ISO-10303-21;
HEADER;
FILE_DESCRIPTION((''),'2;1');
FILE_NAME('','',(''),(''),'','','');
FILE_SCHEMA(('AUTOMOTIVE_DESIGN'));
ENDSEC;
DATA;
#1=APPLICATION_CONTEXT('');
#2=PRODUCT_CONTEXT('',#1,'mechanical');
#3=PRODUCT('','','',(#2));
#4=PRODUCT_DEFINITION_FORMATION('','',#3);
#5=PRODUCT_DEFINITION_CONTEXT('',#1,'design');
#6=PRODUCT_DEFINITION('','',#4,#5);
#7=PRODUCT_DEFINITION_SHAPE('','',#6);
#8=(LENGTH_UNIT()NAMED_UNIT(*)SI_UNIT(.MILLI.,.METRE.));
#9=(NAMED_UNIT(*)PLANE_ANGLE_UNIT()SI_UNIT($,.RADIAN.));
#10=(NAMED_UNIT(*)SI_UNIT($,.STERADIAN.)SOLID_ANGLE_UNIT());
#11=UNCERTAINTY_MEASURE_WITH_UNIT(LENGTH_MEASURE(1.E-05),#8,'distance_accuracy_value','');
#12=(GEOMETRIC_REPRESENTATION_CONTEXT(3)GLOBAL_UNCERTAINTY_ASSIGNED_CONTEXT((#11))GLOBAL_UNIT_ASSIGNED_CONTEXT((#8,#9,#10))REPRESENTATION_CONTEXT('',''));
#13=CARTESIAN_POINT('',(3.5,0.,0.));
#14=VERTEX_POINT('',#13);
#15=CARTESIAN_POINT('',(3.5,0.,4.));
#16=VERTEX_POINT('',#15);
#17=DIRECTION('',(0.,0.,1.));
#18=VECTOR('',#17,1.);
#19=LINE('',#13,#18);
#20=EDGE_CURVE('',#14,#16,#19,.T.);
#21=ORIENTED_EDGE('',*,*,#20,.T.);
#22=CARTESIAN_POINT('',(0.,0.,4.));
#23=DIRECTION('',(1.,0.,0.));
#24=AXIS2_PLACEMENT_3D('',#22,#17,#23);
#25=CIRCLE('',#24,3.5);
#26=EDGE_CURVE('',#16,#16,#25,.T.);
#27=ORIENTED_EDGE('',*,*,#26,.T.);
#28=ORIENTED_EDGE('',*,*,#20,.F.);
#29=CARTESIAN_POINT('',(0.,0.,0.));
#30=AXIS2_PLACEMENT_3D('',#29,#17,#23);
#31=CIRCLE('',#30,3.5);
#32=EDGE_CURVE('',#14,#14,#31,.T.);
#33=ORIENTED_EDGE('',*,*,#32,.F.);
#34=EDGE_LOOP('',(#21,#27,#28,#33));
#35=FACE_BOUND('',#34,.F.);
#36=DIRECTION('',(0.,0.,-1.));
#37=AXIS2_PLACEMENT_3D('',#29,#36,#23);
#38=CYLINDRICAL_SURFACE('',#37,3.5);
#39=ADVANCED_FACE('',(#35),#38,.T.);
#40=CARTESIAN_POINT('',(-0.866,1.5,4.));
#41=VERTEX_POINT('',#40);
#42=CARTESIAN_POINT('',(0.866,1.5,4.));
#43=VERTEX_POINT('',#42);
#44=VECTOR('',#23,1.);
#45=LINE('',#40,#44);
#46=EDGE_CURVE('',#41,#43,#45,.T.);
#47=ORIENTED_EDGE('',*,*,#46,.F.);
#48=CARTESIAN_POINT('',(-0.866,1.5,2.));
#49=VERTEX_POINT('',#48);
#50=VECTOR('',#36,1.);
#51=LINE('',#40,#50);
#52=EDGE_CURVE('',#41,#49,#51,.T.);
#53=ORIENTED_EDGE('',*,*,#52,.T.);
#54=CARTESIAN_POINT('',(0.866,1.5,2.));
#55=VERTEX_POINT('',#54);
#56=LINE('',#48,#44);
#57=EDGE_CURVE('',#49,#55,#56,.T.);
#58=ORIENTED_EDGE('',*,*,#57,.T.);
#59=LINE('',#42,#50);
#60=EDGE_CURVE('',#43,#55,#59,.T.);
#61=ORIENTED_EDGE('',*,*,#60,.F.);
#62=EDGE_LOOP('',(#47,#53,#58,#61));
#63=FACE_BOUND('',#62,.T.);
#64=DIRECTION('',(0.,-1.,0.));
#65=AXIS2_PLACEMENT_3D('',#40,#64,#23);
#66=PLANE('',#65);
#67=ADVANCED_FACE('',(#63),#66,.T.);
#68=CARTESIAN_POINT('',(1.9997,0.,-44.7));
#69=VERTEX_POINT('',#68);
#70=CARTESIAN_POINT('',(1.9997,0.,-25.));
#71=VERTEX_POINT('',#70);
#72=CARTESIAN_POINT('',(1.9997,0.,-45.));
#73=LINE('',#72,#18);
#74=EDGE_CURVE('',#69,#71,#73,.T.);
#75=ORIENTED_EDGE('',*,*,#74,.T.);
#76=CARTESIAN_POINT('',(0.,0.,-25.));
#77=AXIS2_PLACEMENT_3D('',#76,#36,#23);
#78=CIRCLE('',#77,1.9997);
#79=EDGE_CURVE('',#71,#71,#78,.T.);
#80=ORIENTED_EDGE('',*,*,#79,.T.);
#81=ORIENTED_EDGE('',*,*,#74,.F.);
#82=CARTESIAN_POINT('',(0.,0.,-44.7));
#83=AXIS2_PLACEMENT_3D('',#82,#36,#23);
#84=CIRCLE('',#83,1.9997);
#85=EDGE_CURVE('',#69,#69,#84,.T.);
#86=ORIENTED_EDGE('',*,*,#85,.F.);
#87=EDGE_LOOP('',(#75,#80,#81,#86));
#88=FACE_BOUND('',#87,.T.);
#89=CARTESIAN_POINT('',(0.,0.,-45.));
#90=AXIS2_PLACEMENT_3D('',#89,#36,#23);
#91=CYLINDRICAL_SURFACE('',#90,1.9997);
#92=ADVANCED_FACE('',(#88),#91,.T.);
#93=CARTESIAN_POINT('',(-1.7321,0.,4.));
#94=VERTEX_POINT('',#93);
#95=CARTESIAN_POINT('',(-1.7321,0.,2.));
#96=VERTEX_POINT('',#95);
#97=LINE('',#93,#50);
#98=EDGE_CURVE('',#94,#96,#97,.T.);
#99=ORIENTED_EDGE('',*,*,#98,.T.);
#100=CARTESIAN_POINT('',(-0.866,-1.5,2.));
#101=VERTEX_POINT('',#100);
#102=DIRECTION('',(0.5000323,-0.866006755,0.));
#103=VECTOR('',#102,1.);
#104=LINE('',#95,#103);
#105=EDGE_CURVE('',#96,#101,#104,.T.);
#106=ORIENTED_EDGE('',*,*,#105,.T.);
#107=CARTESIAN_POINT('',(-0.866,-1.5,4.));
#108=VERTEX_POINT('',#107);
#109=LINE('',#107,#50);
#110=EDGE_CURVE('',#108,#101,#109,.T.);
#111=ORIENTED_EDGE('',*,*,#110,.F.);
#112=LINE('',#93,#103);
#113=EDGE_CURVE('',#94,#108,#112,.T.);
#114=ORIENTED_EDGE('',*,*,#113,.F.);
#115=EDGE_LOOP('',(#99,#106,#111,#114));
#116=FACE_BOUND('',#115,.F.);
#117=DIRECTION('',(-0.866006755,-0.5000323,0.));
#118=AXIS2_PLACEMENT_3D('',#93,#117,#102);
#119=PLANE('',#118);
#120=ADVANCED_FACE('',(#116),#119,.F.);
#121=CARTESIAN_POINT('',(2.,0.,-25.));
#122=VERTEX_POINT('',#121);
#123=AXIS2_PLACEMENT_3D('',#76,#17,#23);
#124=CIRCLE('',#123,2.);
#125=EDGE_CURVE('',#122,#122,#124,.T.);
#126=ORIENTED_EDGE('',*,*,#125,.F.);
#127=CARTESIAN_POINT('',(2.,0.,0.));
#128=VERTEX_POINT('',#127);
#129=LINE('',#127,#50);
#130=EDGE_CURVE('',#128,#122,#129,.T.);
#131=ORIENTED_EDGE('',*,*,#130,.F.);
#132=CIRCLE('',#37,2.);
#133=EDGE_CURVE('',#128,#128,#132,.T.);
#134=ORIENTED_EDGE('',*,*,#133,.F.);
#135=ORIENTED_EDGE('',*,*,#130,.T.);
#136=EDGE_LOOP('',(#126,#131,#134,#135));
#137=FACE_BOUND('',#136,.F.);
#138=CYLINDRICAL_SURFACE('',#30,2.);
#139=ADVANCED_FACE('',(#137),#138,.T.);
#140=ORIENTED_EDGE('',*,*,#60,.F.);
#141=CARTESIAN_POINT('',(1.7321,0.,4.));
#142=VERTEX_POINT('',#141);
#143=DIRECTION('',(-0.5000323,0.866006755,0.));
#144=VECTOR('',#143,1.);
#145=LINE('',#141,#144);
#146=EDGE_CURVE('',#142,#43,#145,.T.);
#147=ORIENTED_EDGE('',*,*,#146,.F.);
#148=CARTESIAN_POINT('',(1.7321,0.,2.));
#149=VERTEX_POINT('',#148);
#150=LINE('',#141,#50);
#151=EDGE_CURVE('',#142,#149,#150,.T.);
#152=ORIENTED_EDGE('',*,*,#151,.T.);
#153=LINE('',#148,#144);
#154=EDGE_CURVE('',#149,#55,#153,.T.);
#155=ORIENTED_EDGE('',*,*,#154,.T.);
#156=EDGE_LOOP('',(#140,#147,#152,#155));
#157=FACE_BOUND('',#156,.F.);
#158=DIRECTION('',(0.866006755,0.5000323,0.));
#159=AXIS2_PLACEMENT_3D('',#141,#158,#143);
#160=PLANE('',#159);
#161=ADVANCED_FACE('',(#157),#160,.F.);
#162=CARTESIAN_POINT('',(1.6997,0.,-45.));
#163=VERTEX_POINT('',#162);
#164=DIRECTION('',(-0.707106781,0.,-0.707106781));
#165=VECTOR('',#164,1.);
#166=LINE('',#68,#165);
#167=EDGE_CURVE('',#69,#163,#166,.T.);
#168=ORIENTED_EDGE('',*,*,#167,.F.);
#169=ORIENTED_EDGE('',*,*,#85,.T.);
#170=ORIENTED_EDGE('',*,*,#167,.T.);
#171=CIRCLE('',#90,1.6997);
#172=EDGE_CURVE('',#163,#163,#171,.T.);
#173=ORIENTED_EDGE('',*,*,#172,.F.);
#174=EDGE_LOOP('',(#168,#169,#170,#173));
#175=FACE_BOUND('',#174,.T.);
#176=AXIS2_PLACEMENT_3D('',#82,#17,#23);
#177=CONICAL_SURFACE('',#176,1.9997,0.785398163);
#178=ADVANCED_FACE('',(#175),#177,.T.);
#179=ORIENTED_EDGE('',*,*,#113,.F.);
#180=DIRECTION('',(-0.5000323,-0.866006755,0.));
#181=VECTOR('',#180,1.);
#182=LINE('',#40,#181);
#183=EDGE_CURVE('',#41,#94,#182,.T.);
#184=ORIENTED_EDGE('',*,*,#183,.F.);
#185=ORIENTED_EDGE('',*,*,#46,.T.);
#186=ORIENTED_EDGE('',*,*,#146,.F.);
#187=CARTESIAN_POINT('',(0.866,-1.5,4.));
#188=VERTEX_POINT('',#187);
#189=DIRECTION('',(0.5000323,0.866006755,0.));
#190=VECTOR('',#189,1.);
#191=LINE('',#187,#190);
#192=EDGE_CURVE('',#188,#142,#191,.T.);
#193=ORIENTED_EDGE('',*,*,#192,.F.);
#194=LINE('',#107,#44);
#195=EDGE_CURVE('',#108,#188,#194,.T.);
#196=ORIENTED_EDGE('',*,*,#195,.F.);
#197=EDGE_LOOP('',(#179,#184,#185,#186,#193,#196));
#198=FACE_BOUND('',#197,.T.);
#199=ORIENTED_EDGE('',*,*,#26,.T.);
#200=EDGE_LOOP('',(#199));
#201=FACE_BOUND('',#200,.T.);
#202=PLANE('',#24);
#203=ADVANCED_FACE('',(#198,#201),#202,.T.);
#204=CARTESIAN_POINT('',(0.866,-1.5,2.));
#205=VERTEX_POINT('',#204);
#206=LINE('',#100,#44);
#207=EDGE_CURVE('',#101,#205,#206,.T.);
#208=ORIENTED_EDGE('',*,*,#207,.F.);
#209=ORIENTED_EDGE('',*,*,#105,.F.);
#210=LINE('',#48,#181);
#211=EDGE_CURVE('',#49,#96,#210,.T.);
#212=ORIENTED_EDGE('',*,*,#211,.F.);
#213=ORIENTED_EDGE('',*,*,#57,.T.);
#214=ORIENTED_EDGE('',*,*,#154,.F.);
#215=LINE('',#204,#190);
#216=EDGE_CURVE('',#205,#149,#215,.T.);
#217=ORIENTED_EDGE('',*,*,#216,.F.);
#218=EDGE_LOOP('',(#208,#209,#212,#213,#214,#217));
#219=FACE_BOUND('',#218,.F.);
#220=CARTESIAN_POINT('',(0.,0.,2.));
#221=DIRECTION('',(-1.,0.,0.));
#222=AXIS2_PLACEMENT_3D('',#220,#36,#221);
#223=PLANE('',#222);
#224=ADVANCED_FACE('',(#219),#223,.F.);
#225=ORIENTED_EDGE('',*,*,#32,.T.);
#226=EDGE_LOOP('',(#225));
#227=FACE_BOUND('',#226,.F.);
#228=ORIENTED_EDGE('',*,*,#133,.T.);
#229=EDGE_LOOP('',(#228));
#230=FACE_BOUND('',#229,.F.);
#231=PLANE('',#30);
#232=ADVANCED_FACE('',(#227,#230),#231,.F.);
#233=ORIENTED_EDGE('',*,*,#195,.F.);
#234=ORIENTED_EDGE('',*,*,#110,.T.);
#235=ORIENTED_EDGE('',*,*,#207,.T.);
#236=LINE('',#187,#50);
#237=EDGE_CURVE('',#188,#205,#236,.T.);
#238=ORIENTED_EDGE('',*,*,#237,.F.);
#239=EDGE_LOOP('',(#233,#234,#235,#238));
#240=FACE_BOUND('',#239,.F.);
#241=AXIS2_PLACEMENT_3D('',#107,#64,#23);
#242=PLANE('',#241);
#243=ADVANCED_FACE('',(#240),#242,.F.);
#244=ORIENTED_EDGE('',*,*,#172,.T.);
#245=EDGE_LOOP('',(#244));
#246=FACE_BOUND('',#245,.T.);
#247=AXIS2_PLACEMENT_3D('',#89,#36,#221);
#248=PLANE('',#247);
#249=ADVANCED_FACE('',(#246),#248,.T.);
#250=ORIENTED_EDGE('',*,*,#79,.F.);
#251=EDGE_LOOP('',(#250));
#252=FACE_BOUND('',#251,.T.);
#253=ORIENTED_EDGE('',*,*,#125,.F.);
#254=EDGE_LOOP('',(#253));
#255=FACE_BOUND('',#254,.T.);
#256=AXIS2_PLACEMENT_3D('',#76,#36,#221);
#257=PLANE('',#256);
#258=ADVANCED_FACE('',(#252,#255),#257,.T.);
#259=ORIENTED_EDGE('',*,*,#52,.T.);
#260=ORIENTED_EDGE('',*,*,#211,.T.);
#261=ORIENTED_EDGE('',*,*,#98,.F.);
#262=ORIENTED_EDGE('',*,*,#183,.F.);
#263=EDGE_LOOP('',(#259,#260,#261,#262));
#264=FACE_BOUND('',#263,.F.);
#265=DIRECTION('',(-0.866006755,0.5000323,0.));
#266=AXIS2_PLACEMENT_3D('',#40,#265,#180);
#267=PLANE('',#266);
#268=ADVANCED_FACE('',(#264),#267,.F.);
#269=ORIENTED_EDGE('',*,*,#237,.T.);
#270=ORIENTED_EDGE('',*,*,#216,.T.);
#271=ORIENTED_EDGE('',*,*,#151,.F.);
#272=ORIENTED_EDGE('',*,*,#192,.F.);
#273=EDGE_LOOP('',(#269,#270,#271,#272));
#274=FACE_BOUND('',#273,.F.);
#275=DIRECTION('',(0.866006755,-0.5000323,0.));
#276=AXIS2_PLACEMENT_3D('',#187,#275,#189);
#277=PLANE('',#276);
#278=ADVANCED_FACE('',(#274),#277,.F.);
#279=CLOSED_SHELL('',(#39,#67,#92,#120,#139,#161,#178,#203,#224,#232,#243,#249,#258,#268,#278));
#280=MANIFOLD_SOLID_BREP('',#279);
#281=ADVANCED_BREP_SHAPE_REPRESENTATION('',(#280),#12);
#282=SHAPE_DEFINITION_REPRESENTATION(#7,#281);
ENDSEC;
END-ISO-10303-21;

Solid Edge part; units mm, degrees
sketch "Sketch1" plane through (0, 0, 0) normal (0, 0, 1) x (1, 0, 0)
  circle A0 centre (0, 0) radius 3.5
  dimension "D1" = 7
extrude "Protrusion1" add sketch "Sketch1" along normal blind 4
sketch "Sketch2" plane through (0, 0, 0) normal (0, 0, -1) x (1, 0, 0)
  circle A0 centre (0, 0) radius 2
extrude "Protrusion2" add sketch "Sketch2" along normal blind 45
sketch "Sketch3" plane through (0, 0, -45) normal (0, 0, -1) x (1, 0, 0)
  circle A0 centre (0, 0) radius 1.9997
extrude "Cutout1" cut sketch "Sketch3" against normal blind 20 flip side to cut
chamfer "Chamfer_1" distance 0.3 angle 45 1 edges at (-1.9997, 0, -45)
sketch "Sketch4" plane through (0, 0, 4) normal (0, 0, 1) x (1, 0, 0)
  line L0 (-0.866, 1.5) -> (0.866, 1.5)
  line L1 (1.7321, 0) -> (0.866, 1.5)
  line L2 (0.866, -1.5) -> (1.7321, 0)
  line L3 (-0.866, -1.5) -> (0.866, -1.5)
  line L4 (-1.7321, 0) -> (-0.866, -1.5)
  line L5 (-0.866, 1.5) -> (-1.7321, 0)
  dimension "D1" = 3
extrude "Cutout2" cut sketch "Sketch4" against normal blind 2
properties part number "185696" material "Stainless Steel, 304"
